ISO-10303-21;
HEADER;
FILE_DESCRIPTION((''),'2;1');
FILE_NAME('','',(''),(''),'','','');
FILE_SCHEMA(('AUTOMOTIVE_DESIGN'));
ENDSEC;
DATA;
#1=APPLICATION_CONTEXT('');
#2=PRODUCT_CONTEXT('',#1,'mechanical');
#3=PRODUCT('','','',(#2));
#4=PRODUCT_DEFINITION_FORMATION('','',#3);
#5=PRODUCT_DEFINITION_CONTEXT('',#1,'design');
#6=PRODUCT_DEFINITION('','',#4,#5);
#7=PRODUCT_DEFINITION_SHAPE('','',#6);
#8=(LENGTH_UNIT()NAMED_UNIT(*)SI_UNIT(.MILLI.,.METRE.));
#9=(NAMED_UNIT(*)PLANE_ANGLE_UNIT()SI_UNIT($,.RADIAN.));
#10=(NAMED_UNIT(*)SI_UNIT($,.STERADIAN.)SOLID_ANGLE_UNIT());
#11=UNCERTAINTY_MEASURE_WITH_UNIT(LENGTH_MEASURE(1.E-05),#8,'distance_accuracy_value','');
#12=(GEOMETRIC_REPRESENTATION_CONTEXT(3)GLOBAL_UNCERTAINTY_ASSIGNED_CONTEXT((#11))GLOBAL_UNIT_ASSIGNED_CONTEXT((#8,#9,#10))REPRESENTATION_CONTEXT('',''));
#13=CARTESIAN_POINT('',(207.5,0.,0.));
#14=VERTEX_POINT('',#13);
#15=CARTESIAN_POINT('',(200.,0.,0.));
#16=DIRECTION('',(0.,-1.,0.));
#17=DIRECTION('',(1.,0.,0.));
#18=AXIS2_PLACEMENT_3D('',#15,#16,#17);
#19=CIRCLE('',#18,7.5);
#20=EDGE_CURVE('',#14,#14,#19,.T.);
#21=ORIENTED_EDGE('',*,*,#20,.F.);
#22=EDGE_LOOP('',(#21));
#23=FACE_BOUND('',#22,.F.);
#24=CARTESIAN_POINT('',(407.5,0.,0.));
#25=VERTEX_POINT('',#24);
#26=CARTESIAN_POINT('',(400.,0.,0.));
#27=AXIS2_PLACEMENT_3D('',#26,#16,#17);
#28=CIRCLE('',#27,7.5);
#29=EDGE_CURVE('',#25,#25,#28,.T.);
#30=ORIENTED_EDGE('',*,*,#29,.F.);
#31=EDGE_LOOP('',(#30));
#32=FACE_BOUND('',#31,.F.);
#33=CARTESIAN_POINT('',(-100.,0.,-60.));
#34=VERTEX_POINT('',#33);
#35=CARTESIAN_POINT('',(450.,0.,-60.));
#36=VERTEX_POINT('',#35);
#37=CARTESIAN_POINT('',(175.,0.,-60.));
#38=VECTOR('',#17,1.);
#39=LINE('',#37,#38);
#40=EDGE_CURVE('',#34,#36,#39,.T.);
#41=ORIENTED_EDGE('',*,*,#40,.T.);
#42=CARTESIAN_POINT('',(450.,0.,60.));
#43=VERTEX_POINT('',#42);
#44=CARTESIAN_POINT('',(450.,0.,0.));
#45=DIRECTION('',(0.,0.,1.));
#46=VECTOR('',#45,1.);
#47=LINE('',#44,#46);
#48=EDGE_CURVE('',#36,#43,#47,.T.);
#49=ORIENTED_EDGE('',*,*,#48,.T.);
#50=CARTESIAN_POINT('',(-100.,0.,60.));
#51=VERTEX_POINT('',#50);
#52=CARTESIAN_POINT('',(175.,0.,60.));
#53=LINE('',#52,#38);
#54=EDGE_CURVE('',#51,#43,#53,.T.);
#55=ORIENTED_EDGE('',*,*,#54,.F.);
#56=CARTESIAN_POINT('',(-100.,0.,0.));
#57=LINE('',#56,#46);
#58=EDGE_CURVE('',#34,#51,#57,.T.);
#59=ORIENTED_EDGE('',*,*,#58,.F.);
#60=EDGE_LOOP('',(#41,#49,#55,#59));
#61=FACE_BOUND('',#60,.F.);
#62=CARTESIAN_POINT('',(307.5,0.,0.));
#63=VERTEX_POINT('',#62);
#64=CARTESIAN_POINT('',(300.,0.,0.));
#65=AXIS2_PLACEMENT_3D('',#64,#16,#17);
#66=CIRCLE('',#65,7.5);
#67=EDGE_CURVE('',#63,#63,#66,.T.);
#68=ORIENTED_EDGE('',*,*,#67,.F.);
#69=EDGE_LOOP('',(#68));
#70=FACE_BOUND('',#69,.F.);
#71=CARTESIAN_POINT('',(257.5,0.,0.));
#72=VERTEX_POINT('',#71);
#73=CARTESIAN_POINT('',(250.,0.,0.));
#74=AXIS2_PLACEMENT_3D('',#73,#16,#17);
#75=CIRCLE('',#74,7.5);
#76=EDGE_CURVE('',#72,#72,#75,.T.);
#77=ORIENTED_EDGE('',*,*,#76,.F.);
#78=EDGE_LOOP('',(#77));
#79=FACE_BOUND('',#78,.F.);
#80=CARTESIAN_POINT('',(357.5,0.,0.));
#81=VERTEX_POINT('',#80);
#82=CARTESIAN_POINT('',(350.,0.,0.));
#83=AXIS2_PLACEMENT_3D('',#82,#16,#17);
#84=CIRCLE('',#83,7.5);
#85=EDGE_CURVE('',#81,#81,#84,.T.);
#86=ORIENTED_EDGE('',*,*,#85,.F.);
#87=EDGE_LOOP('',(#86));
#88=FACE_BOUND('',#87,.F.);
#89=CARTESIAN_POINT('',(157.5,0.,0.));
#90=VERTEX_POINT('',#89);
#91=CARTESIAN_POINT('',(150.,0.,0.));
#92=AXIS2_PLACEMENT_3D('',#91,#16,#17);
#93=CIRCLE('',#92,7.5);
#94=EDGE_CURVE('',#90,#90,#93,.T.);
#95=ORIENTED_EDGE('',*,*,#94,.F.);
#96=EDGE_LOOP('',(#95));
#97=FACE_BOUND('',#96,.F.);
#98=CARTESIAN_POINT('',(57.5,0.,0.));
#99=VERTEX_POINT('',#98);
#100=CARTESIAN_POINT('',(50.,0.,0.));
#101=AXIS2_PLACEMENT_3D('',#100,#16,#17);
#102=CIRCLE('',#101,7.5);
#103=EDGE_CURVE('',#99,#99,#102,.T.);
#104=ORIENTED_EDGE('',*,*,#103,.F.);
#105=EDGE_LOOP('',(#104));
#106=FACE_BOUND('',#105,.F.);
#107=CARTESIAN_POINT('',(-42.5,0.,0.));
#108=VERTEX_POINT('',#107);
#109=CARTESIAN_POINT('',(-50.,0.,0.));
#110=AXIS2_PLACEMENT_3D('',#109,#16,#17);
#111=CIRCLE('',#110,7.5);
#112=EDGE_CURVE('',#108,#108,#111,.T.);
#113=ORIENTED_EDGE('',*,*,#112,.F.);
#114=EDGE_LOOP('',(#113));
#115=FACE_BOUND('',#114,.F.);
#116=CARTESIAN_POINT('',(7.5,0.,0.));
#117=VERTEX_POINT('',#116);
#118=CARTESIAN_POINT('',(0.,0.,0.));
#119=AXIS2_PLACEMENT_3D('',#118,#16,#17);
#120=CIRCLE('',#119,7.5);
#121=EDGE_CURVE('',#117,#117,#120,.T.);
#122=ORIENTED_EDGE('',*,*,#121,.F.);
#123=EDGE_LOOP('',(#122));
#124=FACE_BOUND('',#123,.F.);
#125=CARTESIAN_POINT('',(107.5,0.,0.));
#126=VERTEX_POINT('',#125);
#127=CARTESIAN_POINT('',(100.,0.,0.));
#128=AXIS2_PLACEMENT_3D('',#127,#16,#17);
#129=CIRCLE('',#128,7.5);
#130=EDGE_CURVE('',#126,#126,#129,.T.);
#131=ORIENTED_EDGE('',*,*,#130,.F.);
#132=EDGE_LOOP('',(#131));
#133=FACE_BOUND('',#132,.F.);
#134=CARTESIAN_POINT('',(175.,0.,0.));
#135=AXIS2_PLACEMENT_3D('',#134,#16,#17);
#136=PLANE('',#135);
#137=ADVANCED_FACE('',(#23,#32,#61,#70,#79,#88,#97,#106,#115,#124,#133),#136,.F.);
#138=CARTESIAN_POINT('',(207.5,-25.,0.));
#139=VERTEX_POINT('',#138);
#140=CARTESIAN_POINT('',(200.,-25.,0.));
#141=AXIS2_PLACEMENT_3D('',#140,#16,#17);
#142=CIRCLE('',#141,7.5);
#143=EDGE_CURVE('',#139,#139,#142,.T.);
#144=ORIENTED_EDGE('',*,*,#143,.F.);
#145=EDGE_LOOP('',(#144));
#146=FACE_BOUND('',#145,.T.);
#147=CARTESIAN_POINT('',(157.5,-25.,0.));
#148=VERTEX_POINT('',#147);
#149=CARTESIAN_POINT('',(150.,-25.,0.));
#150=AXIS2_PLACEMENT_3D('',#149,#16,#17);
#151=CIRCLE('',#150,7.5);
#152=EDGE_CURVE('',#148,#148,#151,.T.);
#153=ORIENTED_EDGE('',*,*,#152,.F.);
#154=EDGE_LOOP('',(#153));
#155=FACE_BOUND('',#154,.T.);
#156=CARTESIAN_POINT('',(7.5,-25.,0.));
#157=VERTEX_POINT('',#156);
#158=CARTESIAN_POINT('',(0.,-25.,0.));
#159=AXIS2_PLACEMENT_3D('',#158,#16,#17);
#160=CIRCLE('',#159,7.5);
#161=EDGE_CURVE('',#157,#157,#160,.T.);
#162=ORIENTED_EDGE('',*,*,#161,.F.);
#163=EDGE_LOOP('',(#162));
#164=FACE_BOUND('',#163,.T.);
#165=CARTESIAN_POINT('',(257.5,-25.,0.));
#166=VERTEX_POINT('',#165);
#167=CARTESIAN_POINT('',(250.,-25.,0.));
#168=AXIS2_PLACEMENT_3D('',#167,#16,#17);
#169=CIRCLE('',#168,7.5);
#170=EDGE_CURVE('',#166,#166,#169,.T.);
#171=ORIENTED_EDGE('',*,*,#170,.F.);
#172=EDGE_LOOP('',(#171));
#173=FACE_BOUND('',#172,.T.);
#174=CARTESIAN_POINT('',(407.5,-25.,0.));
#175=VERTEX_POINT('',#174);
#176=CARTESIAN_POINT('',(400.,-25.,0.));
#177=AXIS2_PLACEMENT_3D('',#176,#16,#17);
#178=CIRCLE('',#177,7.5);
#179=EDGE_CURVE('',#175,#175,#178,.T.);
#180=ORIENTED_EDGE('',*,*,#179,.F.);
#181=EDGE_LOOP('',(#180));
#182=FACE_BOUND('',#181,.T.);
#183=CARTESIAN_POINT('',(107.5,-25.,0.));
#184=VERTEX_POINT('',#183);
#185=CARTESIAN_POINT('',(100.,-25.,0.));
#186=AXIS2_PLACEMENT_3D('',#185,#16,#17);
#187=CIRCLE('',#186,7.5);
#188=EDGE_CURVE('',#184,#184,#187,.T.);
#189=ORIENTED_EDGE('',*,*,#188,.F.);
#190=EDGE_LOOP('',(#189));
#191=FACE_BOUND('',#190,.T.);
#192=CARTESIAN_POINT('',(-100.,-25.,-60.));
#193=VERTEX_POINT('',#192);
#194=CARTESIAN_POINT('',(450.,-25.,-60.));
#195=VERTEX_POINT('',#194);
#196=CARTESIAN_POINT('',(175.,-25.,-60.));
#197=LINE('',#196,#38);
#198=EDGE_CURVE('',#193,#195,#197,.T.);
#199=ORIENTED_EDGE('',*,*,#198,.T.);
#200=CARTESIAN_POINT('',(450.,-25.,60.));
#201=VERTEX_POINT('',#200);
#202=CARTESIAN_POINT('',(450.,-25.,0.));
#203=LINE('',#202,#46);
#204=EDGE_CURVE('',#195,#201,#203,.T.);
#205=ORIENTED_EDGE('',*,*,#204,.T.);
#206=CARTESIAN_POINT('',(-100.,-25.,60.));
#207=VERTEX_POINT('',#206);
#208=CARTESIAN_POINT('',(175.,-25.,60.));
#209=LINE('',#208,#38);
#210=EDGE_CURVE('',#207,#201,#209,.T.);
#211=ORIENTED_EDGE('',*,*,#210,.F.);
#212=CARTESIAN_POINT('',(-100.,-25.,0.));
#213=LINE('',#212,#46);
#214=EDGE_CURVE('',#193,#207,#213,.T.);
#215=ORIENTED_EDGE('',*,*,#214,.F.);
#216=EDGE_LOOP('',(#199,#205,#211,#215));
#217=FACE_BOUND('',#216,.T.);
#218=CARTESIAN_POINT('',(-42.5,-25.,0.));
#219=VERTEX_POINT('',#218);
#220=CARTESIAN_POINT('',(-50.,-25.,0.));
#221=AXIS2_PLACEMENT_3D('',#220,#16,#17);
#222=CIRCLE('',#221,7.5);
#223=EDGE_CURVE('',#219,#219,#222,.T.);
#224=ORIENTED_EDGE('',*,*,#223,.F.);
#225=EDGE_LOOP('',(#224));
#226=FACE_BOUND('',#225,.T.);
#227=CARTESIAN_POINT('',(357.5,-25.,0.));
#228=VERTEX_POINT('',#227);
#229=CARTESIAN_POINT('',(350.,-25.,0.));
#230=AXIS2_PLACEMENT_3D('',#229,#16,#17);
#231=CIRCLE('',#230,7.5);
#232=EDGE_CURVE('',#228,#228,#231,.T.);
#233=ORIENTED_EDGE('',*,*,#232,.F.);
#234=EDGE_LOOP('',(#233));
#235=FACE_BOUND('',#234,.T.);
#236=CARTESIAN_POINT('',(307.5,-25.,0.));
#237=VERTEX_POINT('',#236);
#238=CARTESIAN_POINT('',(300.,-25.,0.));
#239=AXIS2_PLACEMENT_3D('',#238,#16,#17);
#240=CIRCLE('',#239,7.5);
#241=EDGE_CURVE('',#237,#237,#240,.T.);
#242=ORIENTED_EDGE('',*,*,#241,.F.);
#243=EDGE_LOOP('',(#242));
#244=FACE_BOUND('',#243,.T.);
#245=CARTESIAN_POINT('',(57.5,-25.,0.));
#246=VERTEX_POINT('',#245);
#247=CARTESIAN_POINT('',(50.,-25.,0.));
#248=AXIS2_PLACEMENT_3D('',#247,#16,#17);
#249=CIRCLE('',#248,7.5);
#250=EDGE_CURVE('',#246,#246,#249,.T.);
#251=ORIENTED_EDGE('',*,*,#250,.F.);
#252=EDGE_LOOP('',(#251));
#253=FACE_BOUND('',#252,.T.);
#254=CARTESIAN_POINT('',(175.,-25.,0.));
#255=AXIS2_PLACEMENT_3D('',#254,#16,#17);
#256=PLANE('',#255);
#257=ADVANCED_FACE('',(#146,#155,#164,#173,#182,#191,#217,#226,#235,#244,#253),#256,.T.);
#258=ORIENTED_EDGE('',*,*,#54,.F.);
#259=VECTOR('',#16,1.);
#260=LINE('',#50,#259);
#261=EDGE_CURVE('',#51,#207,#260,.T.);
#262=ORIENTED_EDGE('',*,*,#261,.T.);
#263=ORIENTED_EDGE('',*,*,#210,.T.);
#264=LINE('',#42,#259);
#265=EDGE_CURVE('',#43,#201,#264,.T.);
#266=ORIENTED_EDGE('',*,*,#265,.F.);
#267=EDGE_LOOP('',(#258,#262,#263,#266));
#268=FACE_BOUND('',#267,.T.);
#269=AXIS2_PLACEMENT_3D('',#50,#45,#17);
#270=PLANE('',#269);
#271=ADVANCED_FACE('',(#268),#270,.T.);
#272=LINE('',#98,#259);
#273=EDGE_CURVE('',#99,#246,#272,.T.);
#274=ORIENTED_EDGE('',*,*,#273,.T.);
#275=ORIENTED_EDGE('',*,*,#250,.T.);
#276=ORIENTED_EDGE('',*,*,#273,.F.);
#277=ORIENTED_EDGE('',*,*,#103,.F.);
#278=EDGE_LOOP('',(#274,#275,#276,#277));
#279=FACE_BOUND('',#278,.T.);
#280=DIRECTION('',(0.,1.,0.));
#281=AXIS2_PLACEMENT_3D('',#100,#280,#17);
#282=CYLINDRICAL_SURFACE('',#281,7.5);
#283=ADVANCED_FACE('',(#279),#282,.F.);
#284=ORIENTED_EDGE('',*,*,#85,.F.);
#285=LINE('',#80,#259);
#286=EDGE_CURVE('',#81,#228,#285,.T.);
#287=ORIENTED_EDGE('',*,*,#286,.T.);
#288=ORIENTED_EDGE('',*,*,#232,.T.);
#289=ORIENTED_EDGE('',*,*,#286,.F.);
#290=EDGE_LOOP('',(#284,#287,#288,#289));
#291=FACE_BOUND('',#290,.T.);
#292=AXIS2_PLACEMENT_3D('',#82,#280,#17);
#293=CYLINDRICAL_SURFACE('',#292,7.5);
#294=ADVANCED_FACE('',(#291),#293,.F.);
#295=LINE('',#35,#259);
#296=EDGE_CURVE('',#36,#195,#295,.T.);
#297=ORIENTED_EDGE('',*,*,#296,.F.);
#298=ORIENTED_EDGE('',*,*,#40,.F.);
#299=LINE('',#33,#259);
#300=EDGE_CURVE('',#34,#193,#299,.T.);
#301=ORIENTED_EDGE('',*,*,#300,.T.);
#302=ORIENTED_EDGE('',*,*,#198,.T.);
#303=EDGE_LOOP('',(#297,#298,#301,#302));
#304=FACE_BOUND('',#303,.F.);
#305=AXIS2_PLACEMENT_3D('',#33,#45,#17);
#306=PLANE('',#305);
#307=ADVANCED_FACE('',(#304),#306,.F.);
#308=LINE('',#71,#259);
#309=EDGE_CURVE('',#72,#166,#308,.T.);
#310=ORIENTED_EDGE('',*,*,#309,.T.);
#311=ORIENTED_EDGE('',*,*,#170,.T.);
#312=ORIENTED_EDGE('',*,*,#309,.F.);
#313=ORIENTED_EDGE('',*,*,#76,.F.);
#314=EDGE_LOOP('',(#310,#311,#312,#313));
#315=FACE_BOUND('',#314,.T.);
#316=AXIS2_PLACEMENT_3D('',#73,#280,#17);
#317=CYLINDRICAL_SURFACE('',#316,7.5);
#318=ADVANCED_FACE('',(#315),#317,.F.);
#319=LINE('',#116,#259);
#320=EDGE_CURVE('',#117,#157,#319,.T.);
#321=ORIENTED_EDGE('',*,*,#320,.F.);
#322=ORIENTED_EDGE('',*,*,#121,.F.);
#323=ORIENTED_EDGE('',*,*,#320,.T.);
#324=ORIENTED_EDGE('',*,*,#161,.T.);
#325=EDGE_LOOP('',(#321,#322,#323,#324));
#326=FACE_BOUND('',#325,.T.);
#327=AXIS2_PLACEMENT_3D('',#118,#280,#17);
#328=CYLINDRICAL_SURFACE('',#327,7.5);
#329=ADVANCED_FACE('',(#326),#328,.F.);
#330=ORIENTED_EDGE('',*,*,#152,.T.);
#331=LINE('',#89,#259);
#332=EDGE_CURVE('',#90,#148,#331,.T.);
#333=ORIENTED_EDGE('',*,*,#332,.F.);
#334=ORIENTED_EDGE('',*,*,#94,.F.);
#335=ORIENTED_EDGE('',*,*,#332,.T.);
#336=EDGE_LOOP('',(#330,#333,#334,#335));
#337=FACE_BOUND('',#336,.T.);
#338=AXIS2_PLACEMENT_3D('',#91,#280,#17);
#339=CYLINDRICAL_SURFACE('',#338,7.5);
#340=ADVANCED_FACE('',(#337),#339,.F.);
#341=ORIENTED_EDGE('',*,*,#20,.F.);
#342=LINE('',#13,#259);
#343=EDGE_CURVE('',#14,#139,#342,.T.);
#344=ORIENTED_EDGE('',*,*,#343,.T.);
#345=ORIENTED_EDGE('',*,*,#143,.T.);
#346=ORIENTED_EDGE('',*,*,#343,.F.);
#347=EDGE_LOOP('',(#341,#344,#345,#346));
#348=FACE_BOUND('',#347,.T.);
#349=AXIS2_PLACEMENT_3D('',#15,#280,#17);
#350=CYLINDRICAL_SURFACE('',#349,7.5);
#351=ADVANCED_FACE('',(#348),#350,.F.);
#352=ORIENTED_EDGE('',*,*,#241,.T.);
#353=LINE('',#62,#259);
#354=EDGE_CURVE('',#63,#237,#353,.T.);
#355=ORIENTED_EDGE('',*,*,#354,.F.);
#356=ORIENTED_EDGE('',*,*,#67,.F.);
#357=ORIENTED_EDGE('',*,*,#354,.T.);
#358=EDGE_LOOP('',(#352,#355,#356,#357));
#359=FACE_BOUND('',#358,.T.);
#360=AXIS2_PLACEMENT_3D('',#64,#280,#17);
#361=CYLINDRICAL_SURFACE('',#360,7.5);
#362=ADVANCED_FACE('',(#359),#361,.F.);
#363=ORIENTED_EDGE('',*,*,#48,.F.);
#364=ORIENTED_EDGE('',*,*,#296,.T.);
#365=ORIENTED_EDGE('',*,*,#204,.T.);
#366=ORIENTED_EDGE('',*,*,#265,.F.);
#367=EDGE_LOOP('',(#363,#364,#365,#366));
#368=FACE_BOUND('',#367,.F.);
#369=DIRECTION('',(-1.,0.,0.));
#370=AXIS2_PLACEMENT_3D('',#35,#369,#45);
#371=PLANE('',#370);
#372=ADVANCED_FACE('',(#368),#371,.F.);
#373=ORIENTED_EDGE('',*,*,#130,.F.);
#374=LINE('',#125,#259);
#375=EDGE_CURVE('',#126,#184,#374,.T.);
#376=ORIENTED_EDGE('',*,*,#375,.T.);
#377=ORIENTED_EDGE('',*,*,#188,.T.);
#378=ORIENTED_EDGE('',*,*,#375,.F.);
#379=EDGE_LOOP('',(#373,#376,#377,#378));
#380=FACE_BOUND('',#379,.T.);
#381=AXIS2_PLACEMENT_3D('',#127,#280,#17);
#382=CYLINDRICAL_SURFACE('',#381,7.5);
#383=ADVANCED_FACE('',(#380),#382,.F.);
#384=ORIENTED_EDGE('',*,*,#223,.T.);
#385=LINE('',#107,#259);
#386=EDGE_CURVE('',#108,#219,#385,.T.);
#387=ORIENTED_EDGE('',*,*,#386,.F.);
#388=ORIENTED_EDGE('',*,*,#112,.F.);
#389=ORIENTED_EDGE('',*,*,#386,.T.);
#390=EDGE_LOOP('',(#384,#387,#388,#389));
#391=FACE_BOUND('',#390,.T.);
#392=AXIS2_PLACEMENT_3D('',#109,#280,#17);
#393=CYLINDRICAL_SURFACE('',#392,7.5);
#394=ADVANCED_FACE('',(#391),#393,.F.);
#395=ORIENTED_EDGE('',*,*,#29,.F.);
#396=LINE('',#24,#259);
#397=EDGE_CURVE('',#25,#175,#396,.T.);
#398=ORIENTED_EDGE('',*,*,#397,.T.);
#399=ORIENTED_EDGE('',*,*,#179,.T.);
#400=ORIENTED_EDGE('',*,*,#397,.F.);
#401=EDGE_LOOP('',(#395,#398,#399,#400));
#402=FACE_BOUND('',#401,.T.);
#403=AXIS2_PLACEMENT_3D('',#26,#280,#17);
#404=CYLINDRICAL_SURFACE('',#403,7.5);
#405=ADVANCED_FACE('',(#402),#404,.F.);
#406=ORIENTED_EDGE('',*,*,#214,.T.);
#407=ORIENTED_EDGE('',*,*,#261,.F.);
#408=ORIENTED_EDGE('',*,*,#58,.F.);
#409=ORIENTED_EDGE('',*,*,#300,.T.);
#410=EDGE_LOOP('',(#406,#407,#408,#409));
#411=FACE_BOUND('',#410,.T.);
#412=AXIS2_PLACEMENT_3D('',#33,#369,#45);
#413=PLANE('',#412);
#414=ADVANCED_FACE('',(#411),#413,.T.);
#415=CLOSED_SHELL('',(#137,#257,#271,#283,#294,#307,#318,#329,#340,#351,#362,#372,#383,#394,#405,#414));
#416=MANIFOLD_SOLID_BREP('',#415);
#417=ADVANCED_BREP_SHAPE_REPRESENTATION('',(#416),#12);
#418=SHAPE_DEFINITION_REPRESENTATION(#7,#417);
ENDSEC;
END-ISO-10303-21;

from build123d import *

# Parameters (mm, degrees)
F0_W     = 550
F0_H     = 120
F0_R     = 7.5
F1_DEPTH = 25


with BuildPart() as f1:
    # F0 (on Front) → F1 (new body)
    with BuildSketch(Plane.XZ):
        with Locations((175, 0)):
            Rectangle(F0_W, F0_H)
        with Locations((-50, 0)):
            Circle(F0_R, mode=Mode.SUBTRACT)
        Circle(F0_R, mode=Mode.SUBTRACT)
        with Locations((50, 0)):
            Circle(F0_R, mode=Mode.SUBTRACT)
        with Locations((100, 0)):
            Circle(F0_R, mode=Mode.SUBTRACT)
        with Locations((150, 0)):
            Circle(F0_R, mode=Mode.SUBTRACT)
        with Locations((200, 0)):
            Circle(F0_R, mode=Mode.SUBTRACT)
        with Locations((250, 0)):
            Circle(F0_R, mode=Mode.SUBTRACT)
        with Locations((300, 0)):
            Circle(F0_R, mode=Mode.SUBTRACT)
        with Locations((350, 0)):
            Circle(F0_R, mode=Mode.SUBTRACT)
        with Locations((400, 0)):
            Circle(F0_R, mode=Mode.SUBTRACT)
    extrude(amount=F1_DEPTH)


solid = f1.part
